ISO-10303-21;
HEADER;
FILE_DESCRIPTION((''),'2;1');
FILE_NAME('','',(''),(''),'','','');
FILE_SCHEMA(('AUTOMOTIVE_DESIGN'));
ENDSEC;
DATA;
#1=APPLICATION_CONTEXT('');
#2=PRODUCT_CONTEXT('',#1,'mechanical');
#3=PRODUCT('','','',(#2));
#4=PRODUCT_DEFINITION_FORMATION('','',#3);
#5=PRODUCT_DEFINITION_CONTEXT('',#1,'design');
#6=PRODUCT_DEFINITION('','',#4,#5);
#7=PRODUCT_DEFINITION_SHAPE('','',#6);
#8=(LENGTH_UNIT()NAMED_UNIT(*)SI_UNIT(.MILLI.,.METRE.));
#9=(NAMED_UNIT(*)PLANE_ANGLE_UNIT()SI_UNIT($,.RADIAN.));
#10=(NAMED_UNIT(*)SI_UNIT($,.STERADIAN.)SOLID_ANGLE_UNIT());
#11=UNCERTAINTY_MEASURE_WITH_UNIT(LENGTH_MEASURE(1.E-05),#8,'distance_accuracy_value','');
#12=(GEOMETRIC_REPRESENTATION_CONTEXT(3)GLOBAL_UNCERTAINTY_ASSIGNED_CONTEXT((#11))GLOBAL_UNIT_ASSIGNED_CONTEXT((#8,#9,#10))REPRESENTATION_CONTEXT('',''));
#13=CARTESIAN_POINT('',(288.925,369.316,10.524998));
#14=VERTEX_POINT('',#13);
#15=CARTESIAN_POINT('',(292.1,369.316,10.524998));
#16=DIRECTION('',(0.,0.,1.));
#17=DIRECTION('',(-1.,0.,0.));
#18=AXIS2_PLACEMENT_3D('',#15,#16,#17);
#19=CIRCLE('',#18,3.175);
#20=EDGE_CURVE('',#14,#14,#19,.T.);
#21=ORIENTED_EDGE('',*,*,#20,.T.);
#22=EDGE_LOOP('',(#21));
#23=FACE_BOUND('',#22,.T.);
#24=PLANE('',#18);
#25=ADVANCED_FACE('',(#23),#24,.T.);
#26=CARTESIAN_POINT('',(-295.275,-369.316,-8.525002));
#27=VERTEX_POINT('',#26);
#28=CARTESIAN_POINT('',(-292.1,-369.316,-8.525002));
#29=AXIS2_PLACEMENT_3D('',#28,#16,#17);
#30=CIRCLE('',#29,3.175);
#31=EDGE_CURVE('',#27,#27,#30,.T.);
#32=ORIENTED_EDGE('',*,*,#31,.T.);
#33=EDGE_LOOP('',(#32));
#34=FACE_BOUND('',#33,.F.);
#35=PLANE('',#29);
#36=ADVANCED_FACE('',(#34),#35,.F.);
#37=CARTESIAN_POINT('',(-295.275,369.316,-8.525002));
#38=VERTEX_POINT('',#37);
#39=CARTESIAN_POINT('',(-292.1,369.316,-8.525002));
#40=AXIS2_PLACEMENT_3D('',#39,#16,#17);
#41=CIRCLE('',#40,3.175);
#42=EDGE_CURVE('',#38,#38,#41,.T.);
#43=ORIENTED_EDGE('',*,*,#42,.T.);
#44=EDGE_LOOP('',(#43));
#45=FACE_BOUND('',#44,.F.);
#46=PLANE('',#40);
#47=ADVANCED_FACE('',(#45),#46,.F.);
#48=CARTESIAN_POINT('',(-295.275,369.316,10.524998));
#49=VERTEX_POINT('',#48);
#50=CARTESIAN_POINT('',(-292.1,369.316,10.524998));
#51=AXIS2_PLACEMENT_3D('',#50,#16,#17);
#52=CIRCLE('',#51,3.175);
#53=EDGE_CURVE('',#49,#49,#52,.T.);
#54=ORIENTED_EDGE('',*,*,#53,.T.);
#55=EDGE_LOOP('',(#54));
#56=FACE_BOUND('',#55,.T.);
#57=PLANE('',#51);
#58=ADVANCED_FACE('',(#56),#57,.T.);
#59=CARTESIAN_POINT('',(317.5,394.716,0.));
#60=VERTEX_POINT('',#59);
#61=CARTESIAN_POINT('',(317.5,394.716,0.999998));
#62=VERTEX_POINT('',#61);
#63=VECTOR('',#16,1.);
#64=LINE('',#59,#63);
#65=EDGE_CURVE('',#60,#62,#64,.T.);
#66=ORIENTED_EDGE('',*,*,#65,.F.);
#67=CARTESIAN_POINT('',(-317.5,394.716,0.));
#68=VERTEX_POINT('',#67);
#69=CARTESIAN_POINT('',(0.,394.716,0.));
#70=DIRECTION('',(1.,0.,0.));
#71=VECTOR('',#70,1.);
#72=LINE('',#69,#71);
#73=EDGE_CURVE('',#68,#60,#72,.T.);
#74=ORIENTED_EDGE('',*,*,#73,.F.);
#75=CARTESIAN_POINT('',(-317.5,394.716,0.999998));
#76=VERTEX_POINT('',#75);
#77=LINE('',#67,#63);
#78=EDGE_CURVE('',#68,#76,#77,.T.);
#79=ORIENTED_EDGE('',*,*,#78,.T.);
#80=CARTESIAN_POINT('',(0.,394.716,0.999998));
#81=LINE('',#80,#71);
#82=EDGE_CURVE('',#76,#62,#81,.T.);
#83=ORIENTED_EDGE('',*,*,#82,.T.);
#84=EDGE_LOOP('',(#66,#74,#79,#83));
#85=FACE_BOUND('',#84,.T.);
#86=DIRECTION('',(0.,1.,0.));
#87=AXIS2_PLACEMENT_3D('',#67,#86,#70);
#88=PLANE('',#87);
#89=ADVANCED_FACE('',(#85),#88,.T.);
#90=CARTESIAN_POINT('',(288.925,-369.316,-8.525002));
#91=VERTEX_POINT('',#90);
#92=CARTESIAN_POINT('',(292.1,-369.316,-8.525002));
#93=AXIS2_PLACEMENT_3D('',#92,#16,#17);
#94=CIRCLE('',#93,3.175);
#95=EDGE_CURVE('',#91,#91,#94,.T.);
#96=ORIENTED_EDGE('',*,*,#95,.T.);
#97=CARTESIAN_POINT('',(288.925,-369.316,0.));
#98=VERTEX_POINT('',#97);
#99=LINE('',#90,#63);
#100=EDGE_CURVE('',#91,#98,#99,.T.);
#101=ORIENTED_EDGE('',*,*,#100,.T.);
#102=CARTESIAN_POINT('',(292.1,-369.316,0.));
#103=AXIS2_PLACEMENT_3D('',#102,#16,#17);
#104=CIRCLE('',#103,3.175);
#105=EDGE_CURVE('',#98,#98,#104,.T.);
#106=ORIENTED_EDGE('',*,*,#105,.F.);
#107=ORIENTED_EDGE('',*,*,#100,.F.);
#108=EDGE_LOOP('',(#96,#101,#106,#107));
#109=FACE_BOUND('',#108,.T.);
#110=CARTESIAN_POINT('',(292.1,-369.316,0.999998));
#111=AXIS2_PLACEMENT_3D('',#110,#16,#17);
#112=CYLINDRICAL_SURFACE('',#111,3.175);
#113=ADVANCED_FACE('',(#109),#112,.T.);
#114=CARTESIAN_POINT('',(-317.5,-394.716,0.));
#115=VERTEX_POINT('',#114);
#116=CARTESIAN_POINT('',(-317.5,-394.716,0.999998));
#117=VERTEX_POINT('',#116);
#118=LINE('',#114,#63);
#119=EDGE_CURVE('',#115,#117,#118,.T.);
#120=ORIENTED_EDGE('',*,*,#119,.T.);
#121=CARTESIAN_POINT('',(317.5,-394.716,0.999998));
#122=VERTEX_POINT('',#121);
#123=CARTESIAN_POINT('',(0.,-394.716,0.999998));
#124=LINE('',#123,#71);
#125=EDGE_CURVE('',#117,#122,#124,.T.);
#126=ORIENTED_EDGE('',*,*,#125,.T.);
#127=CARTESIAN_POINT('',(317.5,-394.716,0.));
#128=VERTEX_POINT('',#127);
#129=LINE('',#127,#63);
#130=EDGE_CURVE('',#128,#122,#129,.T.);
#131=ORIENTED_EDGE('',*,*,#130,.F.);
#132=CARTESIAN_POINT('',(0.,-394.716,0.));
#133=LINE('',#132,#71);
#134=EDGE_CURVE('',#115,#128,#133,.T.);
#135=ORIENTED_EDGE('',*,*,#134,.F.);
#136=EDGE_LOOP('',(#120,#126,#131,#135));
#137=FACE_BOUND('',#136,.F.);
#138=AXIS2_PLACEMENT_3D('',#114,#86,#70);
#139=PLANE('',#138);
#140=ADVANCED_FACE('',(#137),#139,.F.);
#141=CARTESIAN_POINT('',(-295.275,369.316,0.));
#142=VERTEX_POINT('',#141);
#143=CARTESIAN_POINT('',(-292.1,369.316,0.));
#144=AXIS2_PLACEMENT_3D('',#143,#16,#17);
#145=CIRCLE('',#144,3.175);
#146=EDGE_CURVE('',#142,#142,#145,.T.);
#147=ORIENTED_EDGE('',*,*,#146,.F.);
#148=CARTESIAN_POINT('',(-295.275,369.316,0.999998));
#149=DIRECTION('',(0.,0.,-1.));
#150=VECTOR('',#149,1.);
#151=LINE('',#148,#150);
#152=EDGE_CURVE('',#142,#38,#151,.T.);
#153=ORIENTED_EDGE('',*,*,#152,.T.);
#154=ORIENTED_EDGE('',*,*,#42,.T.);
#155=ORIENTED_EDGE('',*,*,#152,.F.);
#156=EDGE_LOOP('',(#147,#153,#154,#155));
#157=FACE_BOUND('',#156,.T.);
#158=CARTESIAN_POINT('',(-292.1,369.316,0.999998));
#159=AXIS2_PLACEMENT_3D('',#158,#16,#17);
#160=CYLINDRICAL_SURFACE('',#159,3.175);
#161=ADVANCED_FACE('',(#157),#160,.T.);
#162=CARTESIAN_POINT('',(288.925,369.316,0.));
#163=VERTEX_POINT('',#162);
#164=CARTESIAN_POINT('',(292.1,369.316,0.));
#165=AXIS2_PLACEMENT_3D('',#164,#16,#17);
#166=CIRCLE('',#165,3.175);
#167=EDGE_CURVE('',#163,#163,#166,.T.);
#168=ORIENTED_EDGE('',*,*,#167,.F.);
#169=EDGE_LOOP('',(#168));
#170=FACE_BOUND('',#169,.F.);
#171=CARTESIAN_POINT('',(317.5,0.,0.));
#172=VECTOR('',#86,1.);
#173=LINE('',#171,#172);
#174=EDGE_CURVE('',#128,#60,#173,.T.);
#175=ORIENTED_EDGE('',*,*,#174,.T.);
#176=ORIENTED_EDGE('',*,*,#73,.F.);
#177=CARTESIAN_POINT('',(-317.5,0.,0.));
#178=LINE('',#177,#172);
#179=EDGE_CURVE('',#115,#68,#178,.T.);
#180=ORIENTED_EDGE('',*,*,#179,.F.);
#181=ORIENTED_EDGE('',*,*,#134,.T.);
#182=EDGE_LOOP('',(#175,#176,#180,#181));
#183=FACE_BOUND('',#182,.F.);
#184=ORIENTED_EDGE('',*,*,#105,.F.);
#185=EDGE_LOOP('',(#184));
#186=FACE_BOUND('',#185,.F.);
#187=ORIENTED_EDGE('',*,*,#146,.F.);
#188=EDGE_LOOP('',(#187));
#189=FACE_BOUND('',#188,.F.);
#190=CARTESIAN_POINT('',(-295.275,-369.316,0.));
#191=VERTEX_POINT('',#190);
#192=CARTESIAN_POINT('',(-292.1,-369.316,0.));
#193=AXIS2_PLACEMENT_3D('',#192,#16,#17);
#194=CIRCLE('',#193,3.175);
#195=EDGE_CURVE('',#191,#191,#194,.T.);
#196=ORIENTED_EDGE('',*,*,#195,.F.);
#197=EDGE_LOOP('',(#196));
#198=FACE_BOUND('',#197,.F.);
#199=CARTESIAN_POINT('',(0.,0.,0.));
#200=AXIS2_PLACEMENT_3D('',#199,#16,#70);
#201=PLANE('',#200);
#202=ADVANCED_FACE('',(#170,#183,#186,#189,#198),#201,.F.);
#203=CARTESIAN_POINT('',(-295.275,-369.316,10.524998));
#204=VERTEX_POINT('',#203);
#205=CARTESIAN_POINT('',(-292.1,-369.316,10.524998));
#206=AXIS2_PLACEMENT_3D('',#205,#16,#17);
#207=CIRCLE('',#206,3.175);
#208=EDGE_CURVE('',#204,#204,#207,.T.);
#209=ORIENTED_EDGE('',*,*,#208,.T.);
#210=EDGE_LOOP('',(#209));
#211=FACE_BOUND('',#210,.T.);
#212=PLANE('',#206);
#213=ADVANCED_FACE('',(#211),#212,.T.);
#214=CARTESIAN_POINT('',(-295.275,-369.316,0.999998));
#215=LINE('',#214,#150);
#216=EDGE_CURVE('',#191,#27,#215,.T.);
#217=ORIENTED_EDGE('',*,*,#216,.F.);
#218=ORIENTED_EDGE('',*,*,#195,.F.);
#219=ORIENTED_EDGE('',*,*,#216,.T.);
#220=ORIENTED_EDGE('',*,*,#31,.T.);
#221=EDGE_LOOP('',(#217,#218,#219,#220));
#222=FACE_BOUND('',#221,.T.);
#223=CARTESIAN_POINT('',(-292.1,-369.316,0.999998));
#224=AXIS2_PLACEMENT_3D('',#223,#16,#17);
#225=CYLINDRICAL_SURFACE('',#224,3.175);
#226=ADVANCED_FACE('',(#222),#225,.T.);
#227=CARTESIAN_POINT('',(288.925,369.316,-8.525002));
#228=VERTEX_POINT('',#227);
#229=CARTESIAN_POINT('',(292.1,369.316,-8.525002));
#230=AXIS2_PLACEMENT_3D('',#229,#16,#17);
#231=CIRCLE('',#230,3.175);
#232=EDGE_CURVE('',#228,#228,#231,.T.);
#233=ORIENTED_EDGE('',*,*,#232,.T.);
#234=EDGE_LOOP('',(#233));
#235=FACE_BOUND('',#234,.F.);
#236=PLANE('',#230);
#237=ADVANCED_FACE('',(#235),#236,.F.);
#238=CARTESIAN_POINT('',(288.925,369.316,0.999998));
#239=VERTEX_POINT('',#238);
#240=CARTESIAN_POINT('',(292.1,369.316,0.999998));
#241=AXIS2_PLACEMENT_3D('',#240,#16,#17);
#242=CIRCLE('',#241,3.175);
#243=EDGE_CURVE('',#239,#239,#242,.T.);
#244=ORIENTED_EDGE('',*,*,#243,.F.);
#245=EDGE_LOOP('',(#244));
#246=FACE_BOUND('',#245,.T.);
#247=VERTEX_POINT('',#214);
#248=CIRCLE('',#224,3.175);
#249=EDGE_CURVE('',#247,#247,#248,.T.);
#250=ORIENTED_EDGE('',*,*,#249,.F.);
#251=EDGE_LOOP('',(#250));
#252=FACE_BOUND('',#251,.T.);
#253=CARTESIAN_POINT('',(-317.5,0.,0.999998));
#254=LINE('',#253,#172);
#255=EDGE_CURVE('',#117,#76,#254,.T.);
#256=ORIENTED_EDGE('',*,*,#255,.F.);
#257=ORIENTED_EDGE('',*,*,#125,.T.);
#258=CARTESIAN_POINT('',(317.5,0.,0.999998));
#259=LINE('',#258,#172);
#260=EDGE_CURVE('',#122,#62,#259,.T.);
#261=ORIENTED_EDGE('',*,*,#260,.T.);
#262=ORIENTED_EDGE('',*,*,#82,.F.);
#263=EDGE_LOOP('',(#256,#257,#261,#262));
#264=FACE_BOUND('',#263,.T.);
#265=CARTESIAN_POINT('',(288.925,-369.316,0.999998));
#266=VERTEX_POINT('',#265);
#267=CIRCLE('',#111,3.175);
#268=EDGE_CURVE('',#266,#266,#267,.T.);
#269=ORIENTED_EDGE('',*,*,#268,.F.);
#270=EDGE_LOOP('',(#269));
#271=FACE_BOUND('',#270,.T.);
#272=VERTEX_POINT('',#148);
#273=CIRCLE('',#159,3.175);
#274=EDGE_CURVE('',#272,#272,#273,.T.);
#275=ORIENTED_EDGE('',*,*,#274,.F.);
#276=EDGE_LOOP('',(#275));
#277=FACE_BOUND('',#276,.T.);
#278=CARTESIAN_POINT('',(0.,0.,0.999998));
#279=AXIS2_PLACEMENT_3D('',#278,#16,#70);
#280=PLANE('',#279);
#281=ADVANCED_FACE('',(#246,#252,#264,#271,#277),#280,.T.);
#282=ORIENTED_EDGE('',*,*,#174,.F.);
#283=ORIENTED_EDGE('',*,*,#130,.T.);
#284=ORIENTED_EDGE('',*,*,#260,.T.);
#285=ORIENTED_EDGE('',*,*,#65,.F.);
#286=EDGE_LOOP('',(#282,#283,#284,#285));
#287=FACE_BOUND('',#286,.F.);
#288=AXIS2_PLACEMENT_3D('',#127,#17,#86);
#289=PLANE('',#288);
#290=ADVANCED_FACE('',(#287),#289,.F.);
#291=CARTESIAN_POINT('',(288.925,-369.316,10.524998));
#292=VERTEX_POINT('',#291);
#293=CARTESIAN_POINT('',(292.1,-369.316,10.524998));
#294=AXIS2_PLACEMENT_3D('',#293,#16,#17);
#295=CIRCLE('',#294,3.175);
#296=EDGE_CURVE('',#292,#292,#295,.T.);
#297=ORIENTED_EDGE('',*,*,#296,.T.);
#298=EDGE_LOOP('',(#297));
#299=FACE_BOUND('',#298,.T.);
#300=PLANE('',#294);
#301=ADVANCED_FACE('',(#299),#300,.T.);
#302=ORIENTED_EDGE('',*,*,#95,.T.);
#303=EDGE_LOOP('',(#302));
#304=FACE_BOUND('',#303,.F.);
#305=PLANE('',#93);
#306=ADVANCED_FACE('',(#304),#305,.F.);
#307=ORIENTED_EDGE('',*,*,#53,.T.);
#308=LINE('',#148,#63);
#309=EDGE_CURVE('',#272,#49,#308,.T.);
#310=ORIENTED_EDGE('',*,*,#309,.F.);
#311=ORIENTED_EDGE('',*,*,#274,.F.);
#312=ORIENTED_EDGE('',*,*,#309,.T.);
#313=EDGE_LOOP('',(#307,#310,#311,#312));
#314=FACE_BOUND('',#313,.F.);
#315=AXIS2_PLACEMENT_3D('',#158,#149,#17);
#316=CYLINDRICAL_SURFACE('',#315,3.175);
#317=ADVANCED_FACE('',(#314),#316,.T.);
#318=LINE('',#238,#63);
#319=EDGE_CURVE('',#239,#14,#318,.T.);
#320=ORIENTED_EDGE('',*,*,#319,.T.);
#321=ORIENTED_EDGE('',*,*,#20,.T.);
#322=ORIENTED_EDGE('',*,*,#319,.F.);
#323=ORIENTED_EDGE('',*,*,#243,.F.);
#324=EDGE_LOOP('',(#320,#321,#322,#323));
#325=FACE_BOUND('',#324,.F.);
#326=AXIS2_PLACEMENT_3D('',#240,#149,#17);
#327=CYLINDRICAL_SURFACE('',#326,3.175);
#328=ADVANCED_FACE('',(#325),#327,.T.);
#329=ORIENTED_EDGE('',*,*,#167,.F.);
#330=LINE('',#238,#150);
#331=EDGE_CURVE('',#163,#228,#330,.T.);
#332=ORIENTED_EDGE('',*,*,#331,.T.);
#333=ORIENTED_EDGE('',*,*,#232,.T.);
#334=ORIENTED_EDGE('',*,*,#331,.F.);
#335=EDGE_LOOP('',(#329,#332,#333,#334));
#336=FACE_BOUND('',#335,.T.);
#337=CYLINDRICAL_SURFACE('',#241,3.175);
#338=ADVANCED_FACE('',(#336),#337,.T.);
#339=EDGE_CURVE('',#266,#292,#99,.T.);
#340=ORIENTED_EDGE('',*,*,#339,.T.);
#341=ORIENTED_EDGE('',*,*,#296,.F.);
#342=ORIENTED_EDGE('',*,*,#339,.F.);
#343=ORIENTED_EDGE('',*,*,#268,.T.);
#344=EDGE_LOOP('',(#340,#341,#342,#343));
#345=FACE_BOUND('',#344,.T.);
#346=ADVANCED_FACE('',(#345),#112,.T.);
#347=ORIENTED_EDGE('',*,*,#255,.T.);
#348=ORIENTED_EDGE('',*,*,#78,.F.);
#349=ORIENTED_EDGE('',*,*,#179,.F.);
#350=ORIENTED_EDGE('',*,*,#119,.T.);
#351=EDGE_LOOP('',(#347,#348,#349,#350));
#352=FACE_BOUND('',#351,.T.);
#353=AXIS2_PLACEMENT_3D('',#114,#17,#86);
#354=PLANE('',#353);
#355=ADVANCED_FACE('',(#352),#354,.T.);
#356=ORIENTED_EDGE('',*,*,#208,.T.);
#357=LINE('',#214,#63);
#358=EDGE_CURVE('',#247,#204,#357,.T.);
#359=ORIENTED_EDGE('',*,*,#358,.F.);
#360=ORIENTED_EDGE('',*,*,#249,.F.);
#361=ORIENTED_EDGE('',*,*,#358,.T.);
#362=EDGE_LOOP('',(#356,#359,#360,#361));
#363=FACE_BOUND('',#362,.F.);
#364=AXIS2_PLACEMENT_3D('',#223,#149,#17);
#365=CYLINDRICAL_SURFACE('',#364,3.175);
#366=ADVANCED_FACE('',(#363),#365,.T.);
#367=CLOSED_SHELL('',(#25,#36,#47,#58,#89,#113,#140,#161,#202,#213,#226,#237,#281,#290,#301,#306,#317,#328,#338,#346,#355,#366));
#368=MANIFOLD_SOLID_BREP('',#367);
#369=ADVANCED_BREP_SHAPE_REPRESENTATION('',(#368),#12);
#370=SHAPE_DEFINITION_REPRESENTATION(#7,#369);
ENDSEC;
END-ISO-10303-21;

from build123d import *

# Parameters (mm, degrees)
SKETCH1_W           = 635
SKETCH1_H           = 789.432
BOSS_EXTRUDE1_DEPTH = 0.999998
SKETCH2_R           = 3.175
BOSS_EXTRUDE2_DEPTH = 9.525


with BuildPart() as part:
    # Sketch1 → Boss-Extrude1 (new body)
    with BuildSketch(Plane.XY):
        Rectangle(SKETCH1_W, SKETCH1_H)
    extrude(amount=BOSS_EXTRUDE1_DEPTH)

    # Sketch2 → Boss-Extrude2 (add, symmetric)
    with BuildSketch(Plane.XY.offset(0.999998)):
        with Locations(Location((-292.1, 369.316, 0), (0, 0, 180))):
            Circle(SKETCH2_R)
        with Locations(Location((292.1, 369.316, 0), (0, 0, 180))):
            Circle(SKETCH2_R)
        with Locations(Location((-292.1, -369.316, 0), (0, 0, 180))):
            Circle(SKETCH2_R)
        with Locations(Location((292.1, -369.316, 0), (0, 0, 180))):
            Circle(SKETCH2_R)
    extrude(amount=BOSS_EXTRUDE2_DEPTH, both=True)


solid = part.part
